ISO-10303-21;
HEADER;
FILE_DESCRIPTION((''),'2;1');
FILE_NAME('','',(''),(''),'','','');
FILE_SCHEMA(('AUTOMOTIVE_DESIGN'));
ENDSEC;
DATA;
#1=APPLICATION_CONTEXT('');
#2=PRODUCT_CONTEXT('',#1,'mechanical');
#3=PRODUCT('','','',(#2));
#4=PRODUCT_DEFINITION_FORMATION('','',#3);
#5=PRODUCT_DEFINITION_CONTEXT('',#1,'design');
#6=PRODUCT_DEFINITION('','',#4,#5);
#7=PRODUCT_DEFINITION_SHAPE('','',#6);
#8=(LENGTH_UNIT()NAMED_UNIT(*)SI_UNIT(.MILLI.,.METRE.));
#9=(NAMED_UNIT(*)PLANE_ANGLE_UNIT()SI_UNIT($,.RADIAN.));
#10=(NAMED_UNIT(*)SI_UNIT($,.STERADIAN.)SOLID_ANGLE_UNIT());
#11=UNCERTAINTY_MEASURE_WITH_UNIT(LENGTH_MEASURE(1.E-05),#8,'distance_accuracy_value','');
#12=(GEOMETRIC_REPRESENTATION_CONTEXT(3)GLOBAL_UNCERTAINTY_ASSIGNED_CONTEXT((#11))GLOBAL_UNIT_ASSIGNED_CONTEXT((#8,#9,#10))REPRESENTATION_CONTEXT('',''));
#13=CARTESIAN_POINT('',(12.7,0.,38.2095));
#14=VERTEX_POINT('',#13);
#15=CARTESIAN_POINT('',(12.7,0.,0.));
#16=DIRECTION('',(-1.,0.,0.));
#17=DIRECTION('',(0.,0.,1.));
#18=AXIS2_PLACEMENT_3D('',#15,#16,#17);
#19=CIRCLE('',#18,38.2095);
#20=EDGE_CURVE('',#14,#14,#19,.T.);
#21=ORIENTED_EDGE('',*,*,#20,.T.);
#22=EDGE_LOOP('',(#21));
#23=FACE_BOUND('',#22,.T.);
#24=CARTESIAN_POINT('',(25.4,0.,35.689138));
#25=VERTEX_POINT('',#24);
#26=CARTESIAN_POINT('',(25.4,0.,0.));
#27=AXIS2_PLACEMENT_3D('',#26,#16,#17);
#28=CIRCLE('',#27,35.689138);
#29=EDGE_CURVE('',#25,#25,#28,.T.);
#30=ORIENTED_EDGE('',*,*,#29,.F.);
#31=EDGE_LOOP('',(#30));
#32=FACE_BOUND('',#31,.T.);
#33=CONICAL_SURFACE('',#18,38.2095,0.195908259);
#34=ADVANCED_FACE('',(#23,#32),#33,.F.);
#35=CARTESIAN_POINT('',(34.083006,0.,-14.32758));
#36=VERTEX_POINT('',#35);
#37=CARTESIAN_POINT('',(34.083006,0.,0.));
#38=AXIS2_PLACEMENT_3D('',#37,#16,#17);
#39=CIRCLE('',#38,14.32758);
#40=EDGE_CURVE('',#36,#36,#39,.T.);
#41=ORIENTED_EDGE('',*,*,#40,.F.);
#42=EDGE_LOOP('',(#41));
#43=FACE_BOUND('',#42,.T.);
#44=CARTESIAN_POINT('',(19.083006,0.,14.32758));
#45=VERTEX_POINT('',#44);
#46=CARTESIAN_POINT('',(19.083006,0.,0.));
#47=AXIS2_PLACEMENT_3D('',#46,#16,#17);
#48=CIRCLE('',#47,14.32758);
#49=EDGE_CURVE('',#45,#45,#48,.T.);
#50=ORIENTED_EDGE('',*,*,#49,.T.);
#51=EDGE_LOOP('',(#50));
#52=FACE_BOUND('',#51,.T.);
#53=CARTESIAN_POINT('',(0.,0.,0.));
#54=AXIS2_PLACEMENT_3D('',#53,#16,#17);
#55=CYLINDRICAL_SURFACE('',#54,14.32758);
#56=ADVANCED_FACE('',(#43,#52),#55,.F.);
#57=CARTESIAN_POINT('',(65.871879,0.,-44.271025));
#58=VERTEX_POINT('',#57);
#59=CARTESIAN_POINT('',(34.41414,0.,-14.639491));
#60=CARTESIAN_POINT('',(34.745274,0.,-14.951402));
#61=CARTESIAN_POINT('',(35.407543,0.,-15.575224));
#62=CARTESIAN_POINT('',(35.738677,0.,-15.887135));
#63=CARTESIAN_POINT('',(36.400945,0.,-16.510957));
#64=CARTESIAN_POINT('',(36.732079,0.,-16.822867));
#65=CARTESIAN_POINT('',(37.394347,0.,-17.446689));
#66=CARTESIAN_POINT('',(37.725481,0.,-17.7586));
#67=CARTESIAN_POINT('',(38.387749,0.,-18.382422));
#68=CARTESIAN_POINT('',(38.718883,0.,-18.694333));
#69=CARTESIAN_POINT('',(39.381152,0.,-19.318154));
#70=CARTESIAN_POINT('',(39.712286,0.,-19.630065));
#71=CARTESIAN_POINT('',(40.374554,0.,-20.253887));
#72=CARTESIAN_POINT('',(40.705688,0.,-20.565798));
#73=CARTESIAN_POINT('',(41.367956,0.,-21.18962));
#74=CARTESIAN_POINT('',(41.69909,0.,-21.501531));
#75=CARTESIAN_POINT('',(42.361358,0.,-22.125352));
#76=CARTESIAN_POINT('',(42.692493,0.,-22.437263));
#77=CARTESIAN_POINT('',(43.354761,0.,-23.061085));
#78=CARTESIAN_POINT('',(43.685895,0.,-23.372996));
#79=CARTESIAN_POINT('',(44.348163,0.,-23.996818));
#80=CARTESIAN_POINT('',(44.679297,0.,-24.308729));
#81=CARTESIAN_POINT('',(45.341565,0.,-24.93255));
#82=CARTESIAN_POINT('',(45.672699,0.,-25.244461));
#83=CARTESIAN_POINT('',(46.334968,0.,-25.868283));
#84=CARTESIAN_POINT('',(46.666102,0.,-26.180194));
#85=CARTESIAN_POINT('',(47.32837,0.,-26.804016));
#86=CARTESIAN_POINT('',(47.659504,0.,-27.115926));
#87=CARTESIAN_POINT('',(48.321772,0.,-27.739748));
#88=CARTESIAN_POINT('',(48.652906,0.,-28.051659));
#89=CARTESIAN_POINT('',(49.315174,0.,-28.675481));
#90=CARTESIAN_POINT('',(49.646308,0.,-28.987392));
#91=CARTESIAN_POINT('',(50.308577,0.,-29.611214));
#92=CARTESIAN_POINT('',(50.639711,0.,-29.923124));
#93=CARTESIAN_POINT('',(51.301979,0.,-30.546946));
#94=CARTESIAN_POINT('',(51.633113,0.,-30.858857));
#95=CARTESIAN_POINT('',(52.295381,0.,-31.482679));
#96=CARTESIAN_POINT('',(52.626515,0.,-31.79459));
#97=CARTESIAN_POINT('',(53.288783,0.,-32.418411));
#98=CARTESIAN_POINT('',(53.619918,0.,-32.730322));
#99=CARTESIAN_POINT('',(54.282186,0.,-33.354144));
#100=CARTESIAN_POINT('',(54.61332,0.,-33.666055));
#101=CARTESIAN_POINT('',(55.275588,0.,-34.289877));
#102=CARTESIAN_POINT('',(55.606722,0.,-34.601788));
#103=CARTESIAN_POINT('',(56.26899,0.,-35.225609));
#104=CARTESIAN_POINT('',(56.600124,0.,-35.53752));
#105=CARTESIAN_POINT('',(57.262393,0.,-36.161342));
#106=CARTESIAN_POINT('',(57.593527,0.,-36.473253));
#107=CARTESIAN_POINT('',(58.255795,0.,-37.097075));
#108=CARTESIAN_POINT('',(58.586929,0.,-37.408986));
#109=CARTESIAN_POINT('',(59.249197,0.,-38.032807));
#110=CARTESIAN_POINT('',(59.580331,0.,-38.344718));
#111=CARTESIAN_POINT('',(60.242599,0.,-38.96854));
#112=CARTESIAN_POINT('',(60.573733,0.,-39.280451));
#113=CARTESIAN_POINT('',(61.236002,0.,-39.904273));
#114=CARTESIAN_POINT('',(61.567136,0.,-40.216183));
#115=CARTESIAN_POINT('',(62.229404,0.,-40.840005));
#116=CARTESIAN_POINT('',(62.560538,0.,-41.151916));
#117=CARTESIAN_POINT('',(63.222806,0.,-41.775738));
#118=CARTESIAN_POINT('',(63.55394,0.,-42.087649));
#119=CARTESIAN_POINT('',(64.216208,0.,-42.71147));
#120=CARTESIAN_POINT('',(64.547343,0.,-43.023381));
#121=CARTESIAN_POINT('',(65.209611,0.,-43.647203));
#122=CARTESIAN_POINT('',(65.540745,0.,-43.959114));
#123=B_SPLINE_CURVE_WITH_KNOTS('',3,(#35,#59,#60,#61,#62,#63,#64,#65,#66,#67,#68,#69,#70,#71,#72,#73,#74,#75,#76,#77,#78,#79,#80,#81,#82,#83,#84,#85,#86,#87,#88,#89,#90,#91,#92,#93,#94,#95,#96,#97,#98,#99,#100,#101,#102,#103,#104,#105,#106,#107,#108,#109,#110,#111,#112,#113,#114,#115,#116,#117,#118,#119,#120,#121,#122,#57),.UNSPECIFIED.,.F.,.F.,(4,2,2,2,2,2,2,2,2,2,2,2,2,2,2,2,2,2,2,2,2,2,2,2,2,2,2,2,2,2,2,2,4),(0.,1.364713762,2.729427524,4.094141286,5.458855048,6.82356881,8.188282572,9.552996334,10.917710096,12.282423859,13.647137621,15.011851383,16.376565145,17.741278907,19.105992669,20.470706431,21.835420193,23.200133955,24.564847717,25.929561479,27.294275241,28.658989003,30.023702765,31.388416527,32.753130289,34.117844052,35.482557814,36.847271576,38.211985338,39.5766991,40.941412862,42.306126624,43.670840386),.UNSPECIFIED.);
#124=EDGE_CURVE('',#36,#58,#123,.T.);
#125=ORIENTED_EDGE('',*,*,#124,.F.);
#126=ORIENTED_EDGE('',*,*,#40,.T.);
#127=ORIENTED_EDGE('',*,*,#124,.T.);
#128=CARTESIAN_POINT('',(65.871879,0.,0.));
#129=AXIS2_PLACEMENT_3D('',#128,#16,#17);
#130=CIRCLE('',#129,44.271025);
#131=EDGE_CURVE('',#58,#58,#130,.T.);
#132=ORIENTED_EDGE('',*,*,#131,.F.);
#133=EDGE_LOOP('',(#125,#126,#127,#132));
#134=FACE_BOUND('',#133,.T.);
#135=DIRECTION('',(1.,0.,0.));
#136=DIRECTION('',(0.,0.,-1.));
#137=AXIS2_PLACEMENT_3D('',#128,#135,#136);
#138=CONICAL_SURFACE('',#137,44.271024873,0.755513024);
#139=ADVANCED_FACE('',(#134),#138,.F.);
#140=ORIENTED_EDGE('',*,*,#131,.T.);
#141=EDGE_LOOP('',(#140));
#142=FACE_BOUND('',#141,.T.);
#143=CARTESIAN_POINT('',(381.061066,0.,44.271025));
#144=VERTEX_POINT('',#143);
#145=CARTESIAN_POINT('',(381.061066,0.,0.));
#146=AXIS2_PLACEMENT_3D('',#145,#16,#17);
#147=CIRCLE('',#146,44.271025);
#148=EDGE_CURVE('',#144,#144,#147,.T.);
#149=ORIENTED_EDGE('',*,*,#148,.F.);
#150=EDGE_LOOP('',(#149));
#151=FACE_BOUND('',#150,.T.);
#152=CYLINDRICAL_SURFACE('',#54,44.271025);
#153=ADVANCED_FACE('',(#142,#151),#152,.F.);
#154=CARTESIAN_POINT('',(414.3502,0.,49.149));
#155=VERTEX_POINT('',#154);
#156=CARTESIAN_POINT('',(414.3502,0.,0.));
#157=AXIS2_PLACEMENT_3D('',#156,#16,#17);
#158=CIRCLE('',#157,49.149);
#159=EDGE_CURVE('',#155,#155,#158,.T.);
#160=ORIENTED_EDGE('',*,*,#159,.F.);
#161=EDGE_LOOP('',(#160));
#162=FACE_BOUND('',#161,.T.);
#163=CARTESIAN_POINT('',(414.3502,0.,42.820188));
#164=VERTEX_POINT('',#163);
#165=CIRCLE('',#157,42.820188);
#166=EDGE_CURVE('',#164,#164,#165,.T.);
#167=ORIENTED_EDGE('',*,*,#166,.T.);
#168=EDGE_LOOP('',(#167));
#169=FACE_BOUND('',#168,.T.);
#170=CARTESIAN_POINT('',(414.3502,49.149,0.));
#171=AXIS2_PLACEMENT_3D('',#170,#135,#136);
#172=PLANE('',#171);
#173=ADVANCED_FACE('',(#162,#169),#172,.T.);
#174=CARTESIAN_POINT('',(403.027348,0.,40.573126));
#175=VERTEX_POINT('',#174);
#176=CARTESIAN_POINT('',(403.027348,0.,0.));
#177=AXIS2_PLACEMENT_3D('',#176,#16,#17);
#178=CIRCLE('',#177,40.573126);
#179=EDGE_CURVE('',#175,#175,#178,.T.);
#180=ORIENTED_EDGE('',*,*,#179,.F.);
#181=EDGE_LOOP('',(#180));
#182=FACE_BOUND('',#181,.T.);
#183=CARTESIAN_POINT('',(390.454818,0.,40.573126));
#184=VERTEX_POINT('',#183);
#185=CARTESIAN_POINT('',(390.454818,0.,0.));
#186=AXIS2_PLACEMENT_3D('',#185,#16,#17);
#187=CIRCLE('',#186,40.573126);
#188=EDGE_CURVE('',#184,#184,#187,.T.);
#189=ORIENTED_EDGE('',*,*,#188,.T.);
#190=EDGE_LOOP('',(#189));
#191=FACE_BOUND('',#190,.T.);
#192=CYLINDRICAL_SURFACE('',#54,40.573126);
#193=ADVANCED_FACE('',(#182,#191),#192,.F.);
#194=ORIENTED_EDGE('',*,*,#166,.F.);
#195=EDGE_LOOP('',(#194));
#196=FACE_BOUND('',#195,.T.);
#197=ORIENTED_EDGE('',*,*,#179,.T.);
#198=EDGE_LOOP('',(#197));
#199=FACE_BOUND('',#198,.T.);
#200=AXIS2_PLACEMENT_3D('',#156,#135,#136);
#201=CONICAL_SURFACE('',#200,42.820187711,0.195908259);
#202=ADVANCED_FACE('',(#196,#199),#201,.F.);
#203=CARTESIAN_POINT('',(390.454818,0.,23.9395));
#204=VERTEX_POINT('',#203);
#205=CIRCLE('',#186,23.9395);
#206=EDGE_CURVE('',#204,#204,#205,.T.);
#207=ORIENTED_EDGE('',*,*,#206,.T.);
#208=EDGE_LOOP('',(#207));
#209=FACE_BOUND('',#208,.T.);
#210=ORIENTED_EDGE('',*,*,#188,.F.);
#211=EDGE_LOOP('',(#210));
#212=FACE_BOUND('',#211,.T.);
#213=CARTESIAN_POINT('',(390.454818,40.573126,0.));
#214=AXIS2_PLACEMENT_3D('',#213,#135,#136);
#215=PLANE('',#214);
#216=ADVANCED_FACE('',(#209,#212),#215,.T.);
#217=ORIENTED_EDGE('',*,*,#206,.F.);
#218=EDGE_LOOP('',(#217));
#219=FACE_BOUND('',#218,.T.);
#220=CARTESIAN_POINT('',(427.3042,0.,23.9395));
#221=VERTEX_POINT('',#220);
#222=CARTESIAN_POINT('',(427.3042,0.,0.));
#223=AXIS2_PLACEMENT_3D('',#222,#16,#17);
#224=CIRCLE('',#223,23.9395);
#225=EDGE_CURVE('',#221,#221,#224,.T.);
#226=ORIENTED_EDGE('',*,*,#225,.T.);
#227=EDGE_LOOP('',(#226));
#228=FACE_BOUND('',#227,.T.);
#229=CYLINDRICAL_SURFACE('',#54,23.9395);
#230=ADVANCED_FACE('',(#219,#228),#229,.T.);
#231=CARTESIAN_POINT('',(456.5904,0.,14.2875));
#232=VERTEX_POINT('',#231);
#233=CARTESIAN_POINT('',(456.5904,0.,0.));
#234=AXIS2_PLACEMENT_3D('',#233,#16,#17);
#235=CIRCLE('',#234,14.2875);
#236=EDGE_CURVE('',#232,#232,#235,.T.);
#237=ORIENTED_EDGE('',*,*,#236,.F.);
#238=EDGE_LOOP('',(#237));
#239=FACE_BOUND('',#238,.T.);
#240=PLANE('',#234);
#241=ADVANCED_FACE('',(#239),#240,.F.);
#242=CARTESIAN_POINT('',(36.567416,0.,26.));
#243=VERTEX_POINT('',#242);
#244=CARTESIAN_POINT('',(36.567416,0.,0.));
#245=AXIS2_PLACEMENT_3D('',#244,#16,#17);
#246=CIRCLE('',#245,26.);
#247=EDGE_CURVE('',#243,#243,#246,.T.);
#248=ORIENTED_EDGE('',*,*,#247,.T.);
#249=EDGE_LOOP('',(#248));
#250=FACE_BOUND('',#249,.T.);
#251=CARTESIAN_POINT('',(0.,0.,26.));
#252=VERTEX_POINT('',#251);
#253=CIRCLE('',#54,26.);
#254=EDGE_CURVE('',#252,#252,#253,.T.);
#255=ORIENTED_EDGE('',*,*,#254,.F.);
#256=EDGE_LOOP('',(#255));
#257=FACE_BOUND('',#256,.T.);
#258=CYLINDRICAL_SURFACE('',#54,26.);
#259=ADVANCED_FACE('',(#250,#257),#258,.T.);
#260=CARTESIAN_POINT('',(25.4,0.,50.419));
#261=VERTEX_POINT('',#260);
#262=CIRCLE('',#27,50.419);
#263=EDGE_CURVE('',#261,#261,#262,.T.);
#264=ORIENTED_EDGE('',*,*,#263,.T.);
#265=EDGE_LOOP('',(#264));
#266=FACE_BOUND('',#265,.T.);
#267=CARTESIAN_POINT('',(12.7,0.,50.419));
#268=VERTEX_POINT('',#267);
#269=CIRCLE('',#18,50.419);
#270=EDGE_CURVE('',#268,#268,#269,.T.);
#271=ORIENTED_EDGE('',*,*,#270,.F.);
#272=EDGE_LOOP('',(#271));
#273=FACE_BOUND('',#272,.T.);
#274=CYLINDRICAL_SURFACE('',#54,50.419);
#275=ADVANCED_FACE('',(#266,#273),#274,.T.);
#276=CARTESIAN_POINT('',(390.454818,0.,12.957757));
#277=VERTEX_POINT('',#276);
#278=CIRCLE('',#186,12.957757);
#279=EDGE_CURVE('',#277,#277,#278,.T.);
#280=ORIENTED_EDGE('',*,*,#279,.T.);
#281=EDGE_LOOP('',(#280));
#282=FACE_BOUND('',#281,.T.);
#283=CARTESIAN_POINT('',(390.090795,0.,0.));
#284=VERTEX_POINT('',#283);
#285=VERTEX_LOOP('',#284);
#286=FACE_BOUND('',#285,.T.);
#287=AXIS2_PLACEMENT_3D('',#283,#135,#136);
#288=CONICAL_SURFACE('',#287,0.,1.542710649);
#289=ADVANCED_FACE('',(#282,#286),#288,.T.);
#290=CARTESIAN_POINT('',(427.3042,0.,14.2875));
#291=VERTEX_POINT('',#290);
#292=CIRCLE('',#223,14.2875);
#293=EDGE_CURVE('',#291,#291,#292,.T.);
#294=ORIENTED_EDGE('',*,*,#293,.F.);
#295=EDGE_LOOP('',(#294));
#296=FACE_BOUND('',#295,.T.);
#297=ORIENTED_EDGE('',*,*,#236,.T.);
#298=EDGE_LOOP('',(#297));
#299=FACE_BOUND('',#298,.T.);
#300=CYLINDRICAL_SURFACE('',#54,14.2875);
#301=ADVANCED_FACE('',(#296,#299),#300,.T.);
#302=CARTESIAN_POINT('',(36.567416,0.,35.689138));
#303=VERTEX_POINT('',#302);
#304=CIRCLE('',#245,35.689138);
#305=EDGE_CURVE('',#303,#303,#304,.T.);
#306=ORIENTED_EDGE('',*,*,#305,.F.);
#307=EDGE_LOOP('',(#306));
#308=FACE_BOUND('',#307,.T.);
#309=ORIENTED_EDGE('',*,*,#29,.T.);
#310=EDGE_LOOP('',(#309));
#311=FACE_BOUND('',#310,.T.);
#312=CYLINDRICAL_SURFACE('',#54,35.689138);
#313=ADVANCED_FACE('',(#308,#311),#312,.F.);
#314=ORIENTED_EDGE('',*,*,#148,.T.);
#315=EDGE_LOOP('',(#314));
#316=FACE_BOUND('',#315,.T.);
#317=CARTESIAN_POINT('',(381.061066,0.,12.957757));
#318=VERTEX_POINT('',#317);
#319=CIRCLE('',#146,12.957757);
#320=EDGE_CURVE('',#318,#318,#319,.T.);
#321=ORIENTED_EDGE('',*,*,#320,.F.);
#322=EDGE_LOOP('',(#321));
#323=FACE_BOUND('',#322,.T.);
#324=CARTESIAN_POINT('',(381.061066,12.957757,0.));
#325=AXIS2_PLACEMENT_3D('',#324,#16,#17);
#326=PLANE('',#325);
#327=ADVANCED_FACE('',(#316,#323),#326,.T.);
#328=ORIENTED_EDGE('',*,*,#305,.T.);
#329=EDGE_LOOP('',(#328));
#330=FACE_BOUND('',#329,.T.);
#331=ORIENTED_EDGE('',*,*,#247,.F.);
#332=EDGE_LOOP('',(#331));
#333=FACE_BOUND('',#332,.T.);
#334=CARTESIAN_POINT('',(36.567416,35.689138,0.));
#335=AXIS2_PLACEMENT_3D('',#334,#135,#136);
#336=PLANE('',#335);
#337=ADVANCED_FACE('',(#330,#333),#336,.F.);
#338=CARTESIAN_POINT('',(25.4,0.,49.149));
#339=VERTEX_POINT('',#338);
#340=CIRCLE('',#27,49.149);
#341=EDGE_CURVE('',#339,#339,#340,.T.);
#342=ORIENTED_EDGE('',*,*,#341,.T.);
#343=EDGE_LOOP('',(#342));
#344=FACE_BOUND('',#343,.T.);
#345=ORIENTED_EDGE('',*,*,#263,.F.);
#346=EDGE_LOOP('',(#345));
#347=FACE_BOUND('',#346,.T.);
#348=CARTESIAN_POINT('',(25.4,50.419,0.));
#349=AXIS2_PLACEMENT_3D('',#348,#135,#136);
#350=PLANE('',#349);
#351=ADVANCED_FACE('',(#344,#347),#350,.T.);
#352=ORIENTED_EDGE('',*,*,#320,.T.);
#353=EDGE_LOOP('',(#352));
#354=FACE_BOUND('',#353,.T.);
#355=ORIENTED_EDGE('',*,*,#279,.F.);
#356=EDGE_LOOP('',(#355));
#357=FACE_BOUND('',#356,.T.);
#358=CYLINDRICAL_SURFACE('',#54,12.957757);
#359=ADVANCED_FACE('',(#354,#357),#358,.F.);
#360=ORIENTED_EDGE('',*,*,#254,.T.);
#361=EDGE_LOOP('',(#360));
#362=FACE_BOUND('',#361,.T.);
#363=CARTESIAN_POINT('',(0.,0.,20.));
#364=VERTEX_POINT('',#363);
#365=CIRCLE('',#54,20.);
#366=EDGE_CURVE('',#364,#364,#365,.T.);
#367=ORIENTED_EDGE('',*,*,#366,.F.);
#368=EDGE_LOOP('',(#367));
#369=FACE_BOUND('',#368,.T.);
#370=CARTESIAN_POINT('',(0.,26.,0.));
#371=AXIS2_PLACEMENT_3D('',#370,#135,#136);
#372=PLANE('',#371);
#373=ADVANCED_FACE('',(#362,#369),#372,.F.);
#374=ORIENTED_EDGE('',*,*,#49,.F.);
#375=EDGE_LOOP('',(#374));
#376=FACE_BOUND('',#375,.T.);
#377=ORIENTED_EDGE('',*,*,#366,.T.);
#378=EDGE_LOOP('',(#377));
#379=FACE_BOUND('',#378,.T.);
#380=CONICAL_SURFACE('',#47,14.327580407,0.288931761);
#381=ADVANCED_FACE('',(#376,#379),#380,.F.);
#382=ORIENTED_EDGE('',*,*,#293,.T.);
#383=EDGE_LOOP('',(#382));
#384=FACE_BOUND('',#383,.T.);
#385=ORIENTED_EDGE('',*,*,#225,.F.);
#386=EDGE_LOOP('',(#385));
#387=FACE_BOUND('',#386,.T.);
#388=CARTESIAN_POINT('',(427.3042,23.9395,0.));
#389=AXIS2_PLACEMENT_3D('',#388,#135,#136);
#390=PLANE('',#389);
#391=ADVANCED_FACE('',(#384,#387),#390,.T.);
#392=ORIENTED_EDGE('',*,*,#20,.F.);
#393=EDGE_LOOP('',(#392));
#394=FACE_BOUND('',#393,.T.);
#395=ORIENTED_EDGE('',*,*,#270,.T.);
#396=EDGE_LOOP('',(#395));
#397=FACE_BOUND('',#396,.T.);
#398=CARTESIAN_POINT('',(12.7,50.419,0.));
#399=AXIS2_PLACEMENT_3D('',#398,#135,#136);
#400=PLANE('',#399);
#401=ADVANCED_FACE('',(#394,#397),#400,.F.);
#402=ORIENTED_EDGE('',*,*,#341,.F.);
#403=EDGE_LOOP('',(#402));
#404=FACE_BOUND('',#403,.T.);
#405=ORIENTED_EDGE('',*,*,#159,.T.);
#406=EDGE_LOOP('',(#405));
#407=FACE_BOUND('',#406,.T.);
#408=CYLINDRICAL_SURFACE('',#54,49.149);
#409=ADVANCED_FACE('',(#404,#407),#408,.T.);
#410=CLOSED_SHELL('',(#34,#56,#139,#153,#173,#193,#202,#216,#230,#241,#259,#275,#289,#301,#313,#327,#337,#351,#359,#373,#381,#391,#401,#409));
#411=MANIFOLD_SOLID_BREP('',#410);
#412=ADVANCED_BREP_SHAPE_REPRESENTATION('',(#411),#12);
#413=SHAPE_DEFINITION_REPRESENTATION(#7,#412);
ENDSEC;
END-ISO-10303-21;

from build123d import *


with BuildPart() as part:
    # Esquisse2 → Révolution7 (revolve)
    with BuildSketch(Plane.XY, mode=Mode.PRIVATE) as r_volution7_sk:
        Polygon((0, 26), (12.7, 26), (36.56741584, 26), (36.56741584, 35.689138439), (25.4, 35.689138439), (12.7, 38.2095), (12.7, 50.419), (25.4, 50.419), (25.4, 49.149), (414.3502, 49.149), (414.3502, 42.820187711), (403.02734835, 40.573126289), (390.454818395, 40.573126289), (390.454818395, 23.9395), (427.3042, 23.9395), (427.3042, 14.2875), (456.5904, 14.2875), (456.5904, 0), (0, 0), align=None)
    revolve(r_volution7_sk.sketch.rotate(Axis((0, 0, 0), (1, 0, 0)), 90), axis=Axis((0, 0, 0), (1, 0, 0)))

    # Esquisse3 → Enlèvement de matière-Révolution1 (revolve, cut)
    with BuildSketch(Plane.XY, mode=Mode.PRIVATE) as enl_vement_de_mati_re_r_volution1_sk:
        Polygon((0, 20), (0, 0), (390.090795287, 0), (390.454818395, 12.957757221), (381.061065959, 12.957757221), (381.061065959, 44.271024873), (65.871878934, 44.271024873), (34.08300614, 14.327580407), (19.08300614, 14.327580407), align=None)
    revolve(enl_vement_de_mati_re_r_volution1_sk.sketch.rotate(Axis((0, 0, 0), (1, 0, 0)), 90), axis=Axis((0, 0, 0), (1, 0, 0)), mode=Mode.SUBTRACT)


solid = part.part
